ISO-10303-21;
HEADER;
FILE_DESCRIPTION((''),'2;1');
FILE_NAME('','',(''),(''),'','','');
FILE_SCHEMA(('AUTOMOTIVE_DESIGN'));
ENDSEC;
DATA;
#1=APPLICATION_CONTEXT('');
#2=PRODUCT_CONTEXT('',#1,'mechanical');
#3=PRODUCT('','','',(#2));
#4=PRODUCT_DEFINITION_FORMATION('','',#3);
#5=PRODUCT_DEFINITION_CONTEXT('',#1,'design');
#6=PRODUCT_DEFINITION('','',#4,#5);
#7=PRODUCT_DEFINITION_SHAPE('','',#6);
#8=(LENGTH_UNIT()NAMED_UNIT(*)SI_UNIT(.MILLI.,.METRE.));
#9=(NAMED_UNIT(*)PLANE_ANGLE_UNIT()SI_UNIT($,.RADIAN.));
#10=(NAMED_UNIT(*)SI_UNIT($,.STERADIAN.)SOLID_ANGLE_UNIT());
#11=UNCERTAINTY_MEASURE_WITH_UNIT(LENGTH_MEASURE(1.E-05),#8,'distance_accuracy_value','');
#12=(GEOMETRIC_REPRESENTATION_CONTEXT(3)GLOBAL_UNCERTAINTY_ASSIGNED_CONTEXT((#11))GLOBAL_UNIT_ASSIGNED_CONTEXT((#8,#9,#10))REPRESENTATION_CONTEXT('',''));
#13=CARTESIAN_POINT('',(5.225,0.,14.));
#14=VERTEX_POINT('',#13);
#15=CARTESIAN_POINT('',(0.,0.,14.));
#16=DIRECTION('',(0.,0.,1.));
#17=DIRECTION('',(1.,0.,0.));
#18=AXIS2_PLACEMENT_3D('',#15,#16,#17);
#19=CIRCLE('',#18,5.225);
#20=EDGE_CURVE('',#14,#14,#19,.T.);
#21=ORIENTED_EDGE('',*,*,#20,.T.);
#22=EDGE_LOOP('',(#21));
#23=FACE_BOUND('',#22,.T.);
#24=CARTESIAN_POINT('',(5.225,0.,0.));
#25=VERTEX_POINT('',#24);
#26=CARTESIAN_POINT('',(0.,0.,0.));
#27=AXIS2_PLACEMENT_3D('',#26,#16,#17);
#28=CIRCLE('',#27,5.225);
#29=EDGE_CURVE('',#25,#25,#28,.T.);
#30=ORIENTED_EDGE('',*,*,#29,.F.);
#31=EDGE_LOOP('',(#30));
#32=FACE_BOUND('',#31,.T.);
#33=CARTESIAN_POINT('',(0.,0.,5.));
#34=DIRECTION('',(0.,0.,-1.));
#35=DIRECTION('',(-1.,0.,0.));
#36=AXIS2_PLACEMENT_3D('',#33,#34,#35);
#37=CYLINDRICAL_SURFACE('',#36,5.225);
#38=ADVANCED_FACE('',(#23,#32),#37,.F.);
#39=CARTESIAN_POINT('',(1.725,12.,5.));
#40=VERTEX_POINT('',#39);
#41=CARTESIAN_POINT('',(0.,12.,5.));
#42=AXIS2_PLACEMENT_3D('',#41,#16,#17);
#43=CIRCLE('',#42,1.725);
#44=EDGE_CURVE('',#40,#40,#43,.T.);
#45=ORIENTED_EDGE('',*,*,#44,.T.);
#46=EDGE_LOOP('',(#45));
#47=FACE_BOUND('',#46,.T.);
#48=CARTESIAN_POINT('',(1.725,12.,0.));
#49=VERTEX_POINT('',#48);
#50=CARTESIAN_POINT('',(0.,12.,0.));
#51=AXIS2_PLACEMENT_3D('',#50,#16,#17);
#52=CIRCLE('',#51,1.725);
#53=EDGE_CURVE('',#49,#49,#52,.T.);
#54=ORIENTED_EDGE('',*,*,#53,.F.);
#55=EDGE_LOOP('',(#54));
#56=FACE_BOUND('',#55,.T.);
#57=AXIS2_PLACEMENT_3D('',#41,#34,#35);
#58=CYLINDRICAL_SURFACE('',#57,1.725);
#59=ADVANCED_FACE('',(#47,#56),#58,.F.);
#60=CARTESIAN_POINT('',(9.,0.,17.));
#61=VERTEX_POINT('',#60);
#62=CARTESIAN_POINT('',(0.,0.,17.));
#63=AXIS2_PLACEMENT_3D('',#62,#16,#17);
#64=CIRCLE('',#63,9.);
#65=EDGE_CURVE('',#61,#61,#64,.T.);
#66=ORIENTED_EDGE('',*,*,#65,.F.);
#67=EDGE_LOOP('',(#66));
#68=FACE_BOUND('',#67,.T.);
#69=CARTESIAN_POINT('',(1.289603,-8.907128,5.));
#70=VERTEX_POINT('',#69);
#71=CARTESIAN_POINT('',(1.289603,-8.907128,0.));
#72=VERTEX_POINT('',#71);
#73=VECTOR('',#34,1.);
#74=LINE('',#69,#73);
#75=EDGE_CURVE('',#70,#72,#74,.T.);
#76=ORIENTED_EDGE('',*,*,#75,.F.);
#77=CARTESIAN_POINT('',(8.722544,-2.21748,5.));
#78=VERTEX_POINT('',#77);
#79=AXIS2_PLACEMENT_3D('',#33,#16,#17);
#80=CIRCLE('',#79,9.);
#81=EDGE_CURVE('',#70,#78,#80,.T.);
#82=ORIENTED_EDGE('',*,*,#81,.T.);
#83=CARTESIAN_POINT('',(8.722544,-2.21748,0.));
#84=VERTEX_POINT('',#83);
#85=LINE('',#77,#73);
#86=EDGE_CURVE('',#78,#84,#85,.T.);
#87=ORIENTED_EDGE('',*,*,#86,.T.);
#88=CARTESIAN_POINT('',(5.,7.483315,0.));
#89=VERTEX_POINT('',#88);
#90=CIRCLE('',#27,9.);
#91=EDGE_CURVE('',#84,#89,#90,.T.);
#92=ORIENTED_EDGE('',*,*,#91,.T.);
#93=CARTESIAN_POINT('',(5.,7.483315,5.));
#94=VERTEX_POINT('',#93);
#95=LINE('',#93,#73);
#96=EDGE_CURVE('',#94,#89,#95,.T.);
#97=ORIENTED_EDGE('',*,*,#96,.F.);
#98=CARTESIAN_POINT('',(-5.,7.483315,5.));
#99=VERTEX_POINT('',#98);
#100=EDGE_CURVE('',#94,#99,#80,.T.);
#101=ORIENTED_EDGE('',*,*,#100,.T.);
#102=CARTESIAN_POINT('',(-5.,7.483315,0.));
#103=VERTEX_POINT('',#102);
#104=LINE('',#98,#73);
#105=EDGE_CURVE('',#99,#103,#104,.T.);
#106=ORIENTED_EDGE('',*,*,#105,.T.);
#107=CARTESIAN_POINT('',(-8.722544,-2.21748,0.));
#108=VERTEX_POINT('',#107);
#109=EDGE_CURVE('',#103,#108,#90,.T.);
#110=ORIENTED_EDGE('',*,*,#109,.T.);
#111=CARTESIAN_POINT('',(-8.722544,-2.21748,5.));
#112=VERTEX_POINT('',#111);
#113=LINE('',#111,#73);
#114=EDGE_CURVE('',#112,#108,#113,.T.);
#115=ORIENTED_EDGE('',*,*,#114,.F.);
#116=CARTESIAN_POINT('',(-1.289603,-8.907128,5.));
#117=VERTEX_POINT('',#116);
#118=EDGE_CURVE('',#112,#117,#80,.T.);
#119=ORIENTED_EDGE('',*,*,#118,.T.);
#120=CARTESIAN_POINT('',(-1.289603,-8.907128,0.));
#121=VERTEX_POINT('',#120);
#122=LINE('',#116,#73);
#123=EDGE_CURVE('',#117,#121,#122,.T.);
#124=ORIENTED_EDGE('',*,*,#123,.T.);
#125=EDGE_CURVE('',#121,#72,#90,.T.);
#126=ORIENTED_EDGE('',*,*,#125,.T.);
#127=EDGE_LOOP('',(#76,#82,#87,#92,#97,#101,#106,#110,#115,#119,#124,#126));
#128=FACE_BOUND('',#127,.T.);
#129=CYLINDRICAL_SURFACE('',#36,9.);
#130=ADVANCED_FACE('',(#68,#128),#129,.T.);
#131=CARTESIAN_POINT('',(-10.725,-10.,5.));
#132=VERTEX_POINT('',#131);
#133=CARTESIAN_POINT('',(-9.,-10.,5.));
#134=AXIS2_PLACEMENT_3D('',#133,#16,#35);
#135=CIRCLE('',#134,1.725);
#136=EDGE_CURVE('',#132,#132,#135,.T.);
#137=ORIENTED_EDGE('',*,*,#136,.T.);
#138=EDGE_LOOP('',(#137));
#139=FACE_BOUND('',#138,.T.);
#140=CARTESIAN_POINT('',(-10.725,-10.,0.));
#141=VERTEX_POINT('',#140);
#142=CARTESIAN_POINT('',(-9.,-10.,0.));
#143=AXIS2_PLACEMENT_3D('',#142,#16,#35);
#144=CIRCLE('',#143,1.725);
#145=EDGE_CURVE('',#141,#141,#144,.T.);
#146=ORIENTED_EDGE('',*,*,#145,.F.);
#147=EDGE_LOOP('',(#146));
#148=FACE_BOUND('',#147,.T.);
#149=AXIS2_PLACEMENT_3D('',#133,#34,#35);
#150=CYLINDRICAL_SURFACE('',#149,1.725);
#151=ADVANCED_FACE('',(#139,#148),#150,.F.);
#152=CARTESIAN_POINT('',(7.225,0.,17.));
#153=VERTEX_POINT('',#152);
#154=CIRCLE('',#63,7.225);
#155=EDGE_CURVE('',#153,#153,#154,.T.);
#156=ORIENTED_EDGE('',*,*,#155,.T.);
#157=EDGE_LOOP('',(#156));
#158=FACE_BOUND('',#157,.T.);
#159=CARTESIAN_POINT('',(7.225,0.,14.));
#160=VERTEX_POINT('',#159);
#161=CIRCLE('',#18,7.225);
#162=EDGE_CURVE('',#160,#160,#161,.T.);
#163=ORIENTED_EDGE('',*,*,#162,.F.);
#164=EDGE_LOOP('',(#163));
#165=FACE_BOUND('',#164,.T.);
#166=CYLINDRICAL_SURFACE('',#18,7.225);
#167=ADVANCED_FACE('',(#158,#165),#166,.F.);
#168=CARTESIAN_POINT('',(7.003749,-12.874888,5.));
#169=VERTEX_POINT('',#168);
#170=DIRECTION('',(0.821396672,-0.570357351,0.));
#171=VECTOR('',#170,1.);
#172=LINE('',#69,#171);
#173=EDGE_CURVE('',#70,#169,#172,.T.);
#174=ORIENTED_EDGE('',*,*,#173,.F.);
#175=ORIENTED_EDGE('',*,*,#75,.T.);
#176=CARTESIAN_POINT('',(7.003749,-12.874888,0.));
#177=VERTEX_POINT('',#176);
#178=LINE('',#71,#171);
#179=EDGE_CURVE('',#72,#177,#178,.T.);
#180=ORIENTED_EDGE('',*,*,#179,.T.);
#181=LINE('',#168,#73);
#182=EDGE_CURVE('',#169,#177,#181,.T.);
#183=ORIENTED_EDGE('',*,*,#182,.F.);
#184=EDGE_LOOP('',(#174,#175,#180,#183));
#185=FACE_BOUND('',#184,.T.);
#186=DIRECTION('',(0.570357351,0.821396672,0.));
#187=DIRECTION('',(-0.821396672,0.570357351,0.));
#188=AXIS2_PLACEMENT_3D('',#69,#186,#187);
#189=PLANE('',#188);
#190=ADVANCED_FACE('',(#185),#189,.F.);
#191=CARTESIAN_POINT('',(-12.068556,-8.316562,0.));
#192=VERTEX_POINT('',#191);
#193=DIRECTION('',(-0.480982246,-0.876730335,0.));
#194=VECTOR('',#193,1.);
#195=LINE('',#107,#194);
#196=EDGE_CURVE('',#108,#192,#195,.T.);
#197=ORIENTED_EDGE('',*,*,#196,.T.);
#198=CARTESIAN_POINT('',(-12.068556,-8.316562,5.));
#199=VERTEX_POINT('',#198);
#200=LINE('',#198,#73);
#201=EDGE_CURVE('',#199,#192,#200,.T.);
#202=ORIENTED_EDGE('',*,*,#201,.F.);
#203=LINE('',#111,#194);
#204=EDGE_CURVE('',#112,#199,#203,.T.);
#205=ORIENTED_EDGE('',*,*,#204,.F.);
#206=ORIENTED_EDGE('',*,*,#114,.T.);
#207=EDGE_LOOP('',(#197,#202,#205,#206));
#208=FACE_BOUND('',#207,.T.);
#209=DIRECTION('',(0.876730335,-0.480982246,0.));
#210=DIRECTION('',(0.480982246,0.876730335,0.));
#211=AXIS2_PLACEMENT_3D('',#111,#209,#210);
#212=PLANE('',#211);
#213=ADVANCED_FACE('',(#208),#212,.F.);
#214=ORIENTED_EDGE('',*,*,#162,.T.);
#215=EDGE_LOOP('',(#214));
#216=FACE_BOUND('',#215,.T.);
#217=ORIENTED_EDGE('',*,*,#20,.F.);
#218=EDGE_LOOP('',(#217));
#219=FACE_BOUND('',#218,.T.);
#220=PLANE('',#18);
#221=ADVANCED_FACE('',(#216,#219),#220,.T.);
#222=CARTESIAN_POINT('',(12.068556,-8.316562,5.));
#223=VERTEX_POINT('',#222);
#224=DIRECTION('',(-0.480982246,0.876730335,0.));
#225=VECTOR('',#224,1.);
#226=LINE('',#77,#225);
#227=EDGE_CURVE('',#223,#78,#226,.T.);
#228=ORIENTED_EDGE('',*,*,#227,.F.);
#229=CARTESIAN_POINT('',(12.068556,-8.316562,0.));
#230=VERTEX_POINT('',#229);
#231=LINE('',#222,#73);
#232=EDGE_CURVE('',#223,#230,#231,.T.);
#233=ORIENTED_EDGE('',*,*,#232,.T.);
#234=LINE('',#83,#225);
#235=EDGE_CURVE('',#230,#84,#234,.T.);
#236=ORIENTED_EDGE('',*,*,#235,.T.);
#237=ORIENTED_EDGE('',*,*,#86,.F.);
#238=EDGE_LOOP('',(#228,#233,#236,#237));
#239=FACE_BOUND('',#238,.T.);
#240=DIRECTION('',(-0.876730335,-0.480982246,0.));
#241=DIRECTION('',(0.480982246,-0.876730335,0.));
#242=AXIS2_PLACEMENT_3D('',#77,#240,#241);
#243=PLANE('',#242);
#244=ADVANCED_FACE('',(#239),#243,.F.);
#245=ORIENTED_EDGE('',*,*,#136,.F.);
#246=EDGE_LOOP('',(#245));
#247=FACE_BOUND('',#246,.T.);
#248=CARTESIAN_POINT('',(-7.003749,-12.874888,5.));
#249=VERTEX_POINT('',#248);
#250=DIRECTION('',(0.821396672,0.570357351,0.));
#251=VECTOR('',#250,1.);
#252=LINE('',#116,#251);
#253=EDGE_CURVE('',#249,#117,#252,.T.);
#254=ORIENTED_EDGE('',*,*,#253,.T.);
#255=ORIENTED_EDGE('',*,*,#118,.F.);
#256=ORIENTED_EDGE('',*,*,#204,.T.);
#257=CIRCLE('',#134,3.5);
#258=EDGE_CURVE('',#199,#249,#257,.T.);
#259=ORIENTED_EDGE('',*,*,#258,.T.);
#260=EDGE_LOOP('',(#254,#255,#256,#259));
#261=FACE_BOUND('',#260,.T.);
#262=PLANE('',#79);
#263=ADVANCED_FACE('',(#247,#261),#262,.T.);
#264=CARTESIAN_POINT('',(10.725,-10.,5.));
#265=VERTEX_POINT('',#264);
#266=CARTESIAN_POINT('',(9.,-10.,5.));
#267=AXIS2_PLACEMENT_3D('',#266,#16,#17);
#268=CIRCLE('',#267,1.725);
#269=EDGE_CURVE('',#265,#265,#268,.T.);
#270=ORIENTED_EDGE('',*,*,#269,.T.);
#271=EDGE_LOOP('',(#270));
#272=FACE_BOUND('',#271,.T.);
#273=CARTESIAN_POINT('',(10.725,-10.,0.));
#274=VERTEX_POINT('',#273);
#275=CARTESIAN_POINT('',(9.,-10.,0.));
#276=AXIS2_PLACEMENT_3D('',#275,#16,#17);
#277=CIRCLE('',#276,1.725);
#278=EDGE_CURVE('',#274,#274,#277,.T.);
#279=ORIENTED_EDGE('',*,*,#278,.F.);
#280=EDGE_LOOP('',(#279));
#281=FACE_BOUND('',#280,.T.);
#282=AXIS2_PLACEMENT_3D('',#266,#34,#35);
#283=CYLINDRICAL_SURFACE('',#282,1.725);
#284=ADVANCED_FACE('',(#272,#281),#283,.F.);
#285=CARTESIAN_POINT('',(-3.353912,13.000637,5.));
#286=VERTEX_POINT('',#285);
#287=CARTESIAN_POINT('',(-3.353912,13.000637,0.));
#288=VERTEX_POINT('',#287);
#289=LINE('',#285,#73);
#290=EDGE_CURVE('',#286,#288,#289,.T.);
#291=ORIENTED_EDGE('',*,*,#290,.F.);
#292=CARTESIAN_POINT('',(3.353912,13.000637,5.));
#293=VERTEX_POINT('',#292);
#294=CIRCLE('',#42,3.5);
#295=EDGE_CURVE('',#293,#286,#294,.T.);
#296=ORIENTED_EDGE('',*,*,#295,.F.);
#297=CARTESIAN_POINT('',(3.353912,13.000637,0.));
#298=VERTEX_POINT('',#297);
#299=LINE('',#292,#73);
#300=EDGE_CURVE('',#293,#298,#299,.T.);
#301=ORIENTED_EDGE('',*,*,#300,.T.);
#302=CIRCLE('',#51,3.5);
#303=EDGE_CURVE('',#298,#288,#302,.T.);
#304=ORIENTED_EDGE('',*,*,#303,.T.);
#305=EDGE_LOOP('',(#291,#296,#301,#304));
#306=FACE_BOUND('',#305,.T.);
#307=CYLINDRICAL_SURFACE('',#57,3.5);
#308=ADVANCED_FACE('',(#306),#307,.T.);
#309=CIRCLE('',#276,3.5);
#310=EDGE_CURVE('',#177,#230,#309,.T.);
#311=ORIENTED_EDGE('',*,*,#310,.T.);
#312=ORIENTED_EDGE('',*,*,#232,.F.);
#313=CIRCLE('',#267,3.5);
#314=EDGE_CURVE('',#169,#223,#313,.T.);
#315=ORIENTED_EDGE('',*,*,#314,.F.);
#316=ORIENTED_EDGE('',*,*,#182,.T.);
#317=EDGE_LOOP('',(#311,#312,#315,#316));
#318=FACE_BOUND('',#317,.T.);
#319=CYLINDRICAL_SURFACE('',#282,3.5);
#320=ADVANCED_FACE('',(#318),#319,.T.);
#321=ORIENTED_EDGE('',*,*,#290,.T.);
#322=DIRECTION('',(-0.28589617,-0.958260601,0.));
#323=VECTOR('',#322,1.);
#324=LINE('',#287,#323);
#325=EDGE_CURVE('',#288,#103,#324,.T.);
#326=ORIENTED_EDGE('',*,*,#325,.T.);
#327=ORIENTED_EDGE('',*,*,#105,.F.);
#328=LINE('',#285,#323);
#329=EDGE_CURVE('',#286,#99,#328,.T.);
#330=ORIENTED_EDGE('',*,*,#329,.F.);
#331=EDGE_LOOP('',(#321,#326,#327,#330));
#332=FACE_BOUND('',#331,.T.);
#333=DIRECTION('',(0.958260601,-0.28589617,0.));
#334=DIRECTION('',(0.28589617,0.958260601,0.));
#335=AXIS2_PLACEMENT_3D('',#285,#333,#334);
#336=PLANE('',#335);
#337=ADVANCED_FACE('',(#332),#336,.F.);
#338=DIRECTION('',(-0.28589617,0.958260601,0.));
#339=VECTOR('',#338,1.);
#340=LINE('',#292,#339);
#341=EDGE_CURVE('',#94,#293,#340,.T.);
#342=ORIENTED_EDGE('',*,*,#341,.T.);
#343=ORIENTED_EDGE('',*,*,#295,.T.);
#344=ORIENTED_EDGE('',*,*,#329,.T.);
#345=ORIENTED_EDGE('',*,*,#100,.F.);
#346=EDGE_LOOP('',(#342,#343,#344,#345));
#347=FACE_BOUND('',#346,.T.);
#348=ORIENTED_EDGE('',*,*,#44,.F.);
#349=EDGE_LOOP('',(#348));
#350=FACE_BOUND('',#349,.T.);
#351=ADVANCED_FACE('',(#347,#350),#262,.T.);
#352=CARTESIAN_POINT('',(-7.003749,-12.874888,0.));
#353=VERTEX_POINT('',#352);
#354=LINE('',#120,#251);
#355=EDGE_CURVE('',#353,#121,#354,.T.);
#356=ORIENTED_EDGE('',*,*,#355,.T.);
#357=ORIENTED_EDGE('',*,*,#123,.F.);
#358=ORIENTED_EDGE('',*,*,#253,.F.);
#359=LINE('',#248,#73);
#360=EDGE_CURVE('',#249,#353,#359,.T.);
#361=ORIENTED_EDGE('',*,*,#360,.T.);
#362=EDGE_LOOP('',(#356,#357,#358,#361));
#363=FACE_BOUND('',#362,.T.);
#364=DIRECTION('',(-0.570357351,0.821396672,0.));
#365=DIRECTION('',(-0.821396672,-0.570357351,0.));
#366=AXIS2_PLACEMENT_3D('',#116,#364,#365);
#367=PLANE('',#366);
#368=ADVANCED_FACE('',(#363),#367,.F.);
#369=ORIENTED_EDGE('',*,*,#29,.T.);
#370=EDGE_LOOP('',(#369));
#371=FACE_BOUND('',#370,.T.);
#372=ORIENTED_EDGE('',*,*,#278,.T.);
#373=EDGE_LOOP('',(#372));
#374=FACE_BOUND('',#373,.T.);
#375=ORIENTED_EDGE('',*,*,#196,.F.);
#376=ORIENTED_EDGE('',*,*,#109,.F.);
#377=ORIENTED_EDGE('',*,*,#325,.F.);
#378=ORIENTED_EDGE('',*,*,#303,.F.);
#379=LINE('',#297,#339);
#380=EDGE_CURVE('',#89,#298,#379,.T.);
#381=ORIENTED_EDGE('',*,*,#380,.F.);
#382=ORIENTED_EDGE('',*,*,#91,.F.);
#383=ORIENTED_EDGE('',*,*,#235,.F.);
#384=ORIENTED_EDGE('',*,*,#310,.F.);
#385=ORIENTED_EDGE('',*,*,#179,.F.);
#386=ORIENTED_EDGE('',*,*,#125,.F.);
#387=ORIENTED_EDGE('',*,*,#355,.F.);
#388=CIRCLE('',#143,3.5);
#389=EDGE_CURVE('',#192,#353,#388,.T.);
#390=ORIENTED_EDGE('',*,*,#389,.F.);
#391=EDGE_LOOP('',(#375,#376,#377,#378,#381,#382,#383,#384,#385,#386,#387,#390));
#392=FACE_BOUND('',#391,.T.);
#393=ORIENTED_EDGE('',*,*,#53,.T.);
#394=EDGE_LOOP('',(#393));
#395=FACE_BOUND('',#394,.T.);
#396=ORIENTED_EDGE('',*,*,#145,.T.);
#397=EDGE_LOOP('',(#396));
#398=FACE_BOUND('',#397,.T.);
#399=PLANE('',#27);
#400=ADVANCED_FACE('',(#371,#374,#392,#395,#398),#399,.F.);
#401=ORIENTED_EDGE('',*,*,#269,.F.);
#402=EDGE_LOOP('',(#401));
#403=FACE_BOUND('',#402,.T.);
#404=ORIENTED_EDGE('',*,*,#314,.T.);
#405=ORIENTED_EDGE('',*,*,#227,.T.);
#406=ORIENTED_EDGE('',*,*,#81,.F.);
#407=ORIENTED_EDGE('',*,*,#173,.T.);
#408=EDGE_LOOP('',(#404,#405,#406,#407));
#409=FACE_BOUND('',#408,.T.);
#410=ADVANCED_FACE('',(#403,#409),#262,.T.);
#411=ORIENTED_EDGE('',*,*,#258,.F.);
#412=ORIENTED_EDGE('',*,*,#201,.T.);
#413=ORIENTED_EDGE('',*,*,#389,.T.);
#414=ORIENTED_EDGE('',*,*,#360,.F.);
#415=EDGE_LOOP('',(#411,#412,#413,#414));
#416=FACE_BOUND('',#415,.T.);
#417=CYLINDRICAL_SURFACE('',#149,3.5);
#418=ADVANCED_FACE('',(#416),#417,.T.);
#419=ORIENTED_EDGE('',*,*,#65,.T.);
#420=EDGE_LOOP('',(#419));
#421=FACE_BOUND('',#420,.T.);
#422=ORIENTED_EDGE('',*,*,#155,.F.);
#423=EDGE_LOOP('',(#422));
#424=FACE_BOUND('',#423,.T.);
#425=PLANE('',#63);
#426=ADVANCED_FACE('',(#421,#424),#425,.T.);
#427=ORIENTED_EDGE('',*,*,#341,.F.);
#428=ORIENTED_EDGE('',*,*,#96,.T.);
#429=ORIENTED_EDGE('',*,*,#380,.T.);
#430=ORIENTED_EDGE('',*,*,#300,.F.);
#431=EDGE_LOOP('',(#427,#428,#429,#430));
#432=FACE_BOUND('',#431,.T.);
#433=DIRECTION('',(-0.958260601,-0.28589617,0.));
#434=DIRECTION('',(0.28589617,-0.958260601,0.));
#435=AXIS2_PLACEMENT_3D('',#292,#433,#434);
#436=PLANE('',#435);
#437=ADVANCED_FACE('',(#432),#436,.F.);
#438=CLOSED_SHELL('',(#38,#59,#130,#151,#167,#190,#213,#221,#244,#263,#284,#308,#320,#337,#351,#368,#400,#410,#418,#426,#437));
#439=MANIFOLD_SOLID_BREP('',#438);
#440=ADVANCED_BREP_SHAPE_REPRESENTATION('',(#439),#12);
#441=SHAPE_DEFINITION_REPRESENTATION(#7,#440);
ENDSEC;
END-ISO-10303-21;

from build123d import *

# Parameters (mm, degrees)
SKETCH1_R           = 5.225
SKETCH1_R_2         = 1.725
BOSS_EXTRUDE1_DEPTH = 5
SKETCH2_R           = 9
SKETCH2_R_2         = 5.225
BOSS_EXTRUDE2_DEPTH = 12
CUT_EXTRUDE1_START  = -3
SKETCH3_R           = 7.225
SKETCH3_R_2         = 5.225
CUT_EXTRUDE1_DEPTH  = 3


with BuildPart() as part:
    # Sketch1 → Boss-Extrude1 (new body)
    with BuildSketch(Plane.XY):
        with BuildLine():
            Line((8.72254439, -2.217480408), (12.068556171, -8.316562141))
            ThreePointArc((12.068556171, -8.316562141), (11.341376561, -12.601529512), (7.003749271, -12.87488835))
            Line((7.003749271, -12.87488835), (1.289602928, -8.907127724))
            ThreePointArc((1.289602928, -8.907127724), (0, -9), (-1.289602928, -8.907127724))
            Line((-1.289602928, -8.907127724), (-7.003749271, -12.87488835))
            ThreePointArc((-7.003749271, -12.87488835), (-11.341376561, -12.601529512), (-12.068556171, -8.316562141))
            Line((-12.068556171, -8.316562141), (-8.72254439, -2.217480408))
            ThreePointArc((-8.72254439, -2.217480408), (-8.402583705, 3.224373905), (-5, 7.483314774))
            Line((-5, 7.483314774), (-3.353912105, 13.000636594))
            ThreePointArc((-3.353912105, 13.000636594), (0, 15.5), (3.353912105, 13.000636594))
            Line((3.353912105, 13.000636594), (5, 7.483314774))
            ThreePointArc((5, 7.483314774), (8.402583705, 3.224373905), (8.72254439, -2.217480408))
        make_face()
        Circle(SKETCH1_R, mode=Mode.SUBTRACT)
        with Locations((9, -10)):
            Circle(SKETCH1_R_2, mode=Mode.SUBTRACT)
        with Locations((-9, -10)):
            Circle(SKETCH1_R_2, mode=Mode.SUBTRACT)
        with Locations((0, 12)):
            Circle(SKETCH1_R_2, mode=Mode.SUBTRACT)
    extrude(amount=BOSS_EXTRUDE1_DEPTH)

    # Sketch2 → Boss-Extrude2 (add)
    with BuildSketch(Plane.XY.offset(5)):
        Circle(SKETCH2_R)
        Circle(SKETCH2_R_2, mode=Mode.SUBTRACT)
    extrude(amount=BOSS_EXTRUDE2_DEPTH)

    # Sketch3 → Cut-Extrude1 (cut)
    with BuildSketch(Plane.XY.offset(17).offset(CUT_EXTRUDE1_START)):
        Circle(SKETCH3_R)
        Circle(SKETCH3_R_2, mode=Mode.SUBTRACT)
    extrude(amount=CUT_EXTRUDE1_DEPTH, mode=Mode.SUBTRACT)


solid = part.part
